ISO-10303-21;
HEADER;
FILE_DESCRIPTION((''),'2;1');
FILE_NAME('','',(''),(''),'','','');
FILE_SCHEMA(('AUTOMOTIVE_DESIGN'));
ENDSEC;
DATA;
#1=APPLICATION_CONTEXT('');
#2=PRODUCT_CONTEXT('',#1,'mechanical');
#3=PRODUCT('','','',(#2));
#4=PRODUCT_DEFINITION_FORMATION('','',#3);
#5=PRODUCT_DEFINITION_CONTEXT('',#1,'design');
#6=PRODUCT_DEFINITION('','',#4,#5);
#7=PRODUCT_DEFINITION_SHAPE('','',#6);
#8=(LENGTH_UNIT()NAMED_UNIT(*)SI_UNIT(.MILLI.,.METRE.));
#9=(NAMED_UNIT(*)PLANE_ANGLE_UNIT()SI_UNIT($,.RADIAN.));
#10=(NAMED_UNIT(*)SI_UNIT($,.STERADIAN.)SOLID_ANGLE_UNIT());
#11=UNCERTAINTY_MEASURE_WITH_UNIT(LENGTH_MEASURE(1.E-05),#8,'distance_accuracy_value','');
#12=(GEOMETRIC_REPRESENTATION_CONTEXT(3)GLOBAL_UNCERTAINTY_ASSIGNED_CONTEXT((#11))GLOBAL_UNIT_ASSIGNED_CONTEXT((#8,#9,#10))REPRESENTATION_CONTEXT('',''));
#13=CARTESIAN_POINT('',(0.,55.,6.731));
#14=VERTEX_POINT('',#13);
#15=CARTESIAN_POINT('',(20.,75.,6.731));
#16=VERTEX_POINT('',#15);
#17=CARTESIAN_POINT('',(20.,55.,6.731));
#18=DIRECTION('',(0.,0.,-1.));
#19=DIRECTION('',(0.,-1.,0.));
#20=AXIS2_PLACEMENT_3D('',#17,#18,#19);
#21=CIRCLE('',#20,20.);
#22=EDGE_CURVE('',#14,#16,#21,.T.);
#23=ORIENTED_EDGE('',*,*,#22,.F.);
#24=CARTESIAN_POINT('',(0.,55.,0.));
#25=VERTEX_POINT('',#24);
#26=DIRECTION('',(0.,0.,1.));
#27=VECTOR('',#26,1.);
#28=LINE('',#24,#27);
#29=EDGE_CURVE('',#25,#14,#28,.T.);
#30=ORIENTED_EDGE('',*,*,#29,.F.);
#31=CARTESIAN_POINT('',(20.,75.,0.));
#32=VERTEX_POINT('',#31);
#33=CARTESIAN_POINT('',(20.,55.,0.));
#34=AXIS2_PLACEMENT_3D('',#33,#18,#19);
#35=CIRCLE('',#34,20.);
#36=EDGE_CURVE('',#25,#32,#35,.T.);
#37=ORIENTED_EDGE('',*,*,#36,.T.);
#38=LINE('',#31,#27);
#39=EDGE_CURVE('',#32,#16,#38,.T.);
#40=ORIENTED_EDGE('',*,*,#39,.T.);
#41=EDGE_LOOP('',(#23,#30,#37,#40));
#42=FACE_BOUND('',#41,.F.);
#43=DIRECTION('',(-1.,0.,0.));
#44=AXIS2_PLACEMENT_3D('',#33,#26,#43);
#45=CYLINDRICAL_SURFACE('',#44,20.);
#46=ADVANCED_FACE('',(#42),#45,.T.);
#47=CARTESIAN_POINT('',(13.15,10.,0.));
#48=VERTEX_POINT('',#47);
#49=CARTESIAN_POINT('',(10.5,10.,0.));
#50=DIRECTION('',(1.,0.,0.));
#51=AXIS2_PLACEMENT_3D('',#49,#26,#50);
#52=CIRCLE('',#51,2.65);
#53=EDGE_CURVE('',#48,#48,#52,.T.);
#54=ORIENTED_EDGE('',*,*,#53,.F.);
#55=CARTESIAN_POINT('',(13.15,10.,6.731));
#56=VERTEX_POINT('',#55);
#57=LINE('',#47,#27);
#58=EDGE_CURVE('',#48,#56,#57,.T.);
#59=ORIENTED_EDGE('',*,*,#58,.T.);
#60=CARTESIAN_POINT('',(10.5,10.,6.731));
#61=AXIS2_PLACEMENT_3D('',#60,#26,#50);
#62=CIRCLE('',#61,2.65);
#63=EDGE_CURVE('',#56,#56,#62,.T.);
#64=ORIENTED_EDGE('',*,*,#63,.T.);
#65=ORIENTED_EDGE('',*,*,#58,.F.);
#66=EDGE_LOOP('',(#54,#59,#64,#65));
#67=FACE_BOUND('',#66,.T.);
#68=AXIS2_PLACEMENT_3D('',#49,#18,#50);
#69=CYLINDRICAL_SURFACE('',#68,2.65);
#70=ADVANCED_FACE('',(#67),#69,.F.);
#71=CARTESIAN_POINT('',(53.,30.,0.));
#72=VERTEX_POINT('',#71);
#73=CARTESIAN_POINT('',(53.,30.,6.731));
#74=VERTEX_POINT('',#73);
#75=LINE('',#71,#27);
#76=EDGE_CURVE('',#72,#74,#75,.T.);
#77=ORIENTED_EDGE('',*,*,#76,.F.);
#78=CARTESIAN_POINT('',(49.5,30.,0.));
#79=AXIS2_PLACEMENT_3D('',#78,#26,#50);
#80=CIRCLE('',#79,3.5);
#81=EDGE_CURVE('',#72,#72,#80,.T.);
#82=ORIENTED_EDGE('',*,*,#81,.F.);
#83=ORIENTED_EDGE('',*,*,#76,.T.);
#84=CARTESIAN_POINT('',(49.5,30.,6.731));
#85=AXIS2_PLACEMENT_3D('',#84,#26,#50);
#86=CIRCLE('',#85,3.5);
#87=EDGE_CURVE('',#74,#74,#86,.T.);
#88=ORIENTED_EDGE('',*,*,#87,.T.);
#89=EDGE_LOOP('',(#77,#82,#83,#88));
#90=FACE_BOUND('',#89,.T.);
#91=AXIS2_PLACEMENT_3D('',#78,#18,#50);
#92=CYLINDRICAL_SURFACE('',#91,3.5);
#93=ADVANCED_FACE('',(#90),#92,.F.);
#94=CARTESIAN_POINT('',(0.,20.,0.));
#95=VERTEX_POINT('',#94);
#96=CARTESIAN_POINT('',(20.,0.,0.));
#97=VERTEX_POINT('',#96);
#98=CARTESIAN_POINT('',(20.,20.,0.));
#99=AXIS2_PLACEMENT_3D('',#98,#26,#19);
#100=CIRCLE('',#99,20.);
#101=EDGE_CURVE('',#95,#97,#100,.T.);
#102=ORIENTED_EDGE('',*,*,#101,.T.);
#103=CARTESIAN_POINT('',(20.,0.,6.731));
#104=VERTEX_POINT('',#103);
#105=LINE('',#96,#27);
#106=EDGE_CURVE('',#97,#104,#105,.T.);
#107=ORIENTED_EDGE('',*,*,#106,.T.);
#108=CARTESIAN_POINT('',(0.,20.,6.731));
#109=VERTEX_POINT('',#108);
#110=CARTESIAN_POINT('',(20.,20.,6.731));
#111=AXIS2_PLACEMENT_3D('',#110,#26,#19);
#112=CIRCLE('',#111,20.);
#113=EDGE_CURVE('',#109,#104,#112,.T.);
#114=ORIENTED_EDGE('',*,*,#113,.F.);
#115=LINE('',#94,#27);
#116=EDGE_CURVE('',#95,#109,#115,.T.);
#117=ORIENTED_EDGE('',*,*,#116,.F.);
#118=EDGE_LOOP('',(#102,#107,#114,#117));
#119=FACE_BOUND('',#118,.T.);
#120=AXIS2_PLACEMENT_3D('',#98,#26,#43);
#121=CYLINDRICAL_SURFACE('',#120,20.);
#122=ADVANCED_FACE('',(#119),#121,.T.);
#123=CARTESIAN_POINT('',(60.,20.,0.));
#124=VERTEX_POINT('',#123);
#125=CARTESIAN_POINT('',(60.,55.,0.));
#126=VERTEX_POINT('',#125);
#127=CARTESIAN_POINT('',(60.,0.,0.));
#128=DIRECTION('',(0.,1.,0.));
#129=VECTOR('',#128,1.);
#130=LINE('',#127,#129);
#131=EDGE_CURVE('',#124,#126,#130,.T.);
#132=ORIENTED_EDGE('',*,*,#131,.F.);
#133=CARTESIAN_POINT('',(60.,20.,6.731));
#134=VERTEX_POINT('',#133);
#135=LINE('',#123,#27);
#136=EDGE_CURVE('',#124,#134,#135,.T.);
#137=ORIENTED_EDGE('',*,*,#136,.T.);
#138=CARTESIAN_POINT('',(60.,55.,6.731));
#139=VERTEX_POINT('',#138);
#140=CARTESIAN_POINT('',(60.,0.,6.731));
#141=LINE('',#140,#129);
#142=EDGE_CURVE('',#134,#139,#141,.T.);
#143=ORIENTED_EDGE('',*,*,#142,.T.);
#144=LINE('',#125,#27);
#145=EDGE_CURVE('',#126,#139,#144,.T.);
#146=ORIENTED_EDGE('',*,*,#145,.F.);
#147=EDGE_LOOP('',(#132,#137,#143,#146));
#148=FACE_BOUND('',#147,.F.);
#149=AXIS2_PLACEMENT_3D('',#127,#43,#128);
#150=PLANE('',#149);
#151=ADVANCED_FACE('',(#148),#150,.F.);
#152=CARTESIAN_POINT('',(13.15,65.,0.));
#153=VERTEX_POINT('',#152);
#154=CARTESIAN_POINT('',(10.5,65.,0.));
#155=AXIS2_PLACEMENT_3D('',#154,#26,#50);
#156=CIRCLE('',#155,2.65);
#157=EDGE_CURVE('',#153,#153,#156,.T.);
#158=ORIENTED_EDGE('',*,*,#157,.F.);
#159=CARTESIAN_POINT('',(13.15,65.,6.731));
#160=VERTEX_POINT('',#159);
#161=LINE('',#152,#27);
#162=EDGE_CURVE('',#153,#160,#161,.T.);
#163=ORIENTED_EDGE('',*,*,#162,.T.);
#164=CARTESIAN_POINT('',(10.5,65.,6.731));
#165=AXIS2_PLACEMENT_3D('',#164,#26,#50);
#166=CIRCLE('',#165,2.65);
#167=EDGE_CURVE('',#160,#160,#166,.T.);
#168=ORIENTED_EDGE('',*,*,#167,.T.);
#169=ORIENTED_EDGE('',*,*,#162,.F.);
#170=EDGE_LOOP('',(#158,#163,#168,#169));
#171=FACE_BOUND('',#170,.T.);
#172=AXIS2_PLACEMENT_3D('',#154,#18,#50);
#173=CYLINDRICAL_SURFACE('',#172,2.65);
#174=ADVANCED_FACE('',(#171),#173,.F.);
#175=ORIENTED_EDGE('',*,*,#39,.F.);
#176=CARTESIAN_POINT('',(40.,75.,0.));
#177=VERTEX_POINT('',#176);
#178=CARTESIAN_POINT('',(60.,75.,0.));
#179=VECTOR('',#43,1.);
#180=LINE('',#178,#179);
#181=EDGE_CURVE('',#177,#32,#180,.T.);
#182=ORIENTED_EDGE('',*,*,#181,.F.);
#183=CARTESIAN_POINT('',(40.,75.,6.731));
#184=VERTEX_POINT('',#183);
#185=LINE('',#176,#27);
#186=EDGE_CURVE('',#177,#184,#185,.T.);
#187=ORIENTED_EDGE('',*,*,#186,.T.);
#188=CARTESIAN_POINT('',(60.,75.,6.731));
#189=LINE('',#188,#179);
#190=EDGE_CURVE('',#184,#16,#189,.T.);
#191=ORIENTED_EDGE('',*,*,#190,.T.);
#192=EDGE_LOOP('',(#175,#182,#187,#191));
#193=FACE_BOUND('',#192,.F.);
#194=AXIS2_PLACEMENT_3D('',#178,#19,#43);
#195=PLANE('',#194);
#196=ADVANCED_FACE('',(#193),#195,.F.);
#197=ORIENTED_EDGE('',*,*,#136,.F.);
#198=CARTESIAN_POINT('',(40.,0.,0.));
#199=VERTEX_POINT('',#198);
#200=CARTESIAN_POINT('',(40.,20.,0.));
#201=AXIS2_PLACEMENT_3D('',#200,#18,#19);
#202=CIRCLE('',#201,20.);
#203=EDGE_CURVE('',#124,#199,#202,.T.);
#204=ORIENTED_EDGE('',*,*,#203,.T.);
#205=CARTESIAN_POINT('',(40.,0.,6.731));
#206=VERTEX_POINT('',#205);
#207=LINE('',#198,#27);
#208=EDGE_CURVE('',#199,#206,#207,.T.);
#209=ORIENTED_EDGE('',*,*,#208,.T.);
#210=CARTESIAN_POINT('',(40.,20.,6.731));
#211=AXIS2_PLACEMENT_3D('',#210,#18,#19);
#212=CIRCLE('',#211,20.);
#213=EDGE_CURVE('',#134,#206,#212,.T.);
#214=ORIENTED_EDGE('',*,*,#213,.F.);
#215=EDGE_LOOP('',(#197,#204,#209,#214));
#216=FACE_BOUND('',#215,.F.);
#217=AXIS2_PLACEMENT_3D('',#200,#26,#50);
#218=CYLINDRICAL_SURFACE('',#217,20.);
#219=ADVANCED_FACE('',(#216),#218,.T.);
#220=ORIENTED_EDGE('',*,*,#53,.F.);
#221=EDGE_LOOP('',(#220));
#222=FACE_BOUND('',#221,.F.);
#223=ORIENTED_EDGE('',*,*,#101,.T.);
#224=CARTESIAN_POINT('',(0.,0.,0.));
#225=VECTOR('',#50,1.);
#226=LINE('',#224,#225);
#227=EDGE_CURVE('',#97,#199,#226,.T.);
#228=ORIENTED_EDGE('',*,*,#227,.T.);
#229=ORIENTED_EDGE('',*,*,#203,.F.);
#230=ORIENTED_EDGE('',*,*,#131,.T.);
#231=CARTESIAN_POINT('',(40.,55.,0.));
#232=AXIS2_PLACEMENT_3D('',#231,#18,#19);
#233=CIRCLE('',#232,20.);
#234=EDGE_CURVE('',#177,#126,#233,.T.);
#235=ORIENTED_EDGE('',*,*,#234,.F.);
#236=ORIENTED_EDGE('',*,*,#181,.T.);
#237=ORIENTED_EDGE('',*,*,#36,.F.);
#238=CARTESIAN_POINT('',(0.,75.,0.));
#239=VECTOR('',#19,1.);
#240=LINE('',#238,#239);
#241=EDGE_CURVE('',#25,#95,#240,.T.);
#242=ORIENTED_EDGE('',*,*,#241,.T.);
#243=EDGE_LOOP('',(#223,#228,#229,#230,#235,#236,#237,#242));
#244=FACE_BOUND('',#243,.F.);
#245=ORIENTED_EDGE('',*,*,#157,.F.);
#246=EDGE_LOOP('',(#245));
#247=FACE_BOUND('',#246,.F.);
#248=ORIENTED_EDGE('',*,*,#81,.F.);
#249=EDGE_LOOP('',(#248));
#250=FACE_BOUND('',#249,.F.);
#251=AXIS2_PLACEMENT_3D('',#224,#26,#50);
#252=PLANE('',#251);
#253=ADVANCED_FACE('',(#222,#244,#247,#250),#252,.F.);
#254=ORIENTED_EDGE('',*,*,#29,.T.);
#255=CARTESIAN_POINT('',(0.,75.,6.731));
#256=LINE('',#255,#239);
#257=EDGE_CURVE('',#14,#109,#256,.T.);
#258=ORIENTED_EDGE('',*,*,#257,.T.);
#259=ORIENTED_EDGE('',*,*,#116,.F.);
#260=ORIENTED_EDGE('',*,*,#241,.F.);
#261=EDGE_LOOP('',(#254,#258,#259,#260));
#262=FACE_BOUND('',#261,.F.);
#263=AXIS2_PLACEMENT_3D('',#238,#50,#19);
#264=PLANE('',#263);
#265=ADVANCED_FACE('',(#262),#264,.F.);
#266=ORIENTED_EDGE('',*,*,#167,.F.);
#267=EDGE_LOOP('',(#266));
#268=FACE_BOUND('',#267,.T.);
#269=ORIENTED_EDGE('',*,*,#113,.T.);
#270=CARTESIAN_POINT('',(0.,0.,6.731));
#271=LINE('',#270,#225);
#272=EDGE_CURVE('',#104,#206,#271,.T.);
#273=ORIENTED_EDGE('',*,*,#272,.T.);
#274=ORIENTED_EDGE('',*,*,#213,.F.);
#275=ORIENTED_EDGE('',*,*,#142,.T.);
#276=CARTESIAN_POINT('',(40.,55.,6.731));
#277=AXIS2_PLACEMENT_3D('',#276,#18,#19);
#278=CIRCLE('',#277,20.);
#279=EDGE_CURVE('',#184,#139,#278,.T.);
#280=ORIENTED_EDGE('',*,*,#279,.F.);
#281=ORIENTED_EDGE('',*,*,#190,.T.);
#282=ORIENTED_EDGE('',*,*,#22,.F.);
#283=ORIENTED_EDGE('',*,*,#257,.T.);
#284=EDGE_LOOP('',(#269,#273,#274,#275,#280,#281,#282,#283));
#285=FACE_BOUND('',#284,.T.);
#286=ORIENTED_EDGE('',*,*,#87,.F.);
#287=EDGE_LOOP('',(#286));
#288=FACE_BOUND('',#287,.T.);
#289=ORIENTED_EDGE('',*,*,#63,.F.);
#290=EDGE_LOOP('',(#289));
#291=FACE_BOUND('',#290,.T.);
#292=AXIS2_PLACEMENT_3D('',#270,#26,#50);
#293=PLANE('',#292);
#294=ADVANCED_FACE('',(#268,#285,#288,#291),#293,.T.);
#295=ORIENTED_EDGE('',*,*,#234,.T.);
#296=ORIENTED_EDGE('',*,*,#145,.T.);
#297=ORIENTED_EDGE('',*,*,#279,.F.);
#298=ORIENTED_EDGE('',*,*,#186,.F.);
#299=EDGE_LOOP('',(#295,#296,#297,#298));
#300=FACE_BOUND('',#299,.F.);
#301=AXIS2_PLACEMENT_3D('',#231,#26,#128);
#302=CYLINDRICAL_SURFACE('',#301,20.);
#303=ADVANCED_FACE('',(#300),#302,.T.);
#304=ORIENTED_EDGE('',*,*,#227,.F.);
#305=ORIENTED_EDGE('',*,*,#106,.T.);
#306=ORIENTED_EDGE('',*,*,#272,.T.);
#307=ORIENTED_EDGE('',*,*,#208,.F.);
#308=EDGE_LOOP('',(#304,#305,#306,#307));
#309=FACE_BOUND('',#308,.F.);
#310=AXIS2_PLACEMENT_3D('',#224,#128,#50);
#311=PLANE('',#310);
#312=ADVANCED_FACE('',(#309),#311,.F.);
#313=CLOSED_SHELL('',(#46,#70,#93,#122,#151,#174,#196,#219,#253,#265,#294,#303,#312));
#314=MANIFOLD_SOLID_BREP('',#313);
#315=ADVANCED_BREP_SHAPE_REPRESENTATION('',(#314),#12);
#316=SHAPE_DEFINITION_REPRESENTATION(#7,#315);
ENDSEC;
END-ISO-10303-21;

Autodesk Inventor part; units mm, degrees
ref_plane "YZ Plane" through (0, 0, 0) normal (1, 0, 0) x (0, 1, 0)
ref_plane "XZ Plane" through (0, 0, 0) normal (0, 1, 0) x (-1, 0, 0)
ref_plane "XY Plane" through (0, 0, 0) normal (0, 0, 1) x (1, 0, 0)
sketch "Sketch1" plane through (0, 0, 0) normal (0, 0, 1) x (1, 0, 0)
  circle A0 centre (10.5, 65) radius 2.65
  circle A1 centre (10.5, 10) radius 2.65
  circle A2 centre (49.5, 30) radius 3.5
  line L0 (0, 0) -> (60, 0)
  line L1 (60, 0) -> (60, 75)
  line L2 (60, 75) -> (0, 75)
  line L3 (0, 75) -> (0, 0)
  dimension "d0" = 39
  dimension "d1" = 5.3
  dimension "d2" = 55
  dimension "d16" = 7
  dimension "d26" = 75
  dimension "d27" = 60
  dimension "d28" = 10
  dimension "d29" = 10.5
  dimension "d32" = 20
  dimension "d44" = 10.5
  dimension "d50" = 10
extrude "Extrusion1" add sketch "Sketch1" along normal blind 6.731
fillet "Fillet1" radius 20 4 edges at (0, 75, 3.3655) (60, 75, 3.3655) (0, 0, 3.3655) (60, 0, 3.3655)
equation "\"d29\" = d44"
equation "\"d30\" = THICKB"
equation "\"THICKA\" = 3.175"
equation "\"THICKB\" = 6.731"
equation "\"THICKC\" = 12.7"
equation "\"BALLDIA\" = 12"
equation "\"MAGDIA\" = 9.5"
equation "\"THICKPLY\" = 5"
properties part number "Carriage_Frame_Back"
